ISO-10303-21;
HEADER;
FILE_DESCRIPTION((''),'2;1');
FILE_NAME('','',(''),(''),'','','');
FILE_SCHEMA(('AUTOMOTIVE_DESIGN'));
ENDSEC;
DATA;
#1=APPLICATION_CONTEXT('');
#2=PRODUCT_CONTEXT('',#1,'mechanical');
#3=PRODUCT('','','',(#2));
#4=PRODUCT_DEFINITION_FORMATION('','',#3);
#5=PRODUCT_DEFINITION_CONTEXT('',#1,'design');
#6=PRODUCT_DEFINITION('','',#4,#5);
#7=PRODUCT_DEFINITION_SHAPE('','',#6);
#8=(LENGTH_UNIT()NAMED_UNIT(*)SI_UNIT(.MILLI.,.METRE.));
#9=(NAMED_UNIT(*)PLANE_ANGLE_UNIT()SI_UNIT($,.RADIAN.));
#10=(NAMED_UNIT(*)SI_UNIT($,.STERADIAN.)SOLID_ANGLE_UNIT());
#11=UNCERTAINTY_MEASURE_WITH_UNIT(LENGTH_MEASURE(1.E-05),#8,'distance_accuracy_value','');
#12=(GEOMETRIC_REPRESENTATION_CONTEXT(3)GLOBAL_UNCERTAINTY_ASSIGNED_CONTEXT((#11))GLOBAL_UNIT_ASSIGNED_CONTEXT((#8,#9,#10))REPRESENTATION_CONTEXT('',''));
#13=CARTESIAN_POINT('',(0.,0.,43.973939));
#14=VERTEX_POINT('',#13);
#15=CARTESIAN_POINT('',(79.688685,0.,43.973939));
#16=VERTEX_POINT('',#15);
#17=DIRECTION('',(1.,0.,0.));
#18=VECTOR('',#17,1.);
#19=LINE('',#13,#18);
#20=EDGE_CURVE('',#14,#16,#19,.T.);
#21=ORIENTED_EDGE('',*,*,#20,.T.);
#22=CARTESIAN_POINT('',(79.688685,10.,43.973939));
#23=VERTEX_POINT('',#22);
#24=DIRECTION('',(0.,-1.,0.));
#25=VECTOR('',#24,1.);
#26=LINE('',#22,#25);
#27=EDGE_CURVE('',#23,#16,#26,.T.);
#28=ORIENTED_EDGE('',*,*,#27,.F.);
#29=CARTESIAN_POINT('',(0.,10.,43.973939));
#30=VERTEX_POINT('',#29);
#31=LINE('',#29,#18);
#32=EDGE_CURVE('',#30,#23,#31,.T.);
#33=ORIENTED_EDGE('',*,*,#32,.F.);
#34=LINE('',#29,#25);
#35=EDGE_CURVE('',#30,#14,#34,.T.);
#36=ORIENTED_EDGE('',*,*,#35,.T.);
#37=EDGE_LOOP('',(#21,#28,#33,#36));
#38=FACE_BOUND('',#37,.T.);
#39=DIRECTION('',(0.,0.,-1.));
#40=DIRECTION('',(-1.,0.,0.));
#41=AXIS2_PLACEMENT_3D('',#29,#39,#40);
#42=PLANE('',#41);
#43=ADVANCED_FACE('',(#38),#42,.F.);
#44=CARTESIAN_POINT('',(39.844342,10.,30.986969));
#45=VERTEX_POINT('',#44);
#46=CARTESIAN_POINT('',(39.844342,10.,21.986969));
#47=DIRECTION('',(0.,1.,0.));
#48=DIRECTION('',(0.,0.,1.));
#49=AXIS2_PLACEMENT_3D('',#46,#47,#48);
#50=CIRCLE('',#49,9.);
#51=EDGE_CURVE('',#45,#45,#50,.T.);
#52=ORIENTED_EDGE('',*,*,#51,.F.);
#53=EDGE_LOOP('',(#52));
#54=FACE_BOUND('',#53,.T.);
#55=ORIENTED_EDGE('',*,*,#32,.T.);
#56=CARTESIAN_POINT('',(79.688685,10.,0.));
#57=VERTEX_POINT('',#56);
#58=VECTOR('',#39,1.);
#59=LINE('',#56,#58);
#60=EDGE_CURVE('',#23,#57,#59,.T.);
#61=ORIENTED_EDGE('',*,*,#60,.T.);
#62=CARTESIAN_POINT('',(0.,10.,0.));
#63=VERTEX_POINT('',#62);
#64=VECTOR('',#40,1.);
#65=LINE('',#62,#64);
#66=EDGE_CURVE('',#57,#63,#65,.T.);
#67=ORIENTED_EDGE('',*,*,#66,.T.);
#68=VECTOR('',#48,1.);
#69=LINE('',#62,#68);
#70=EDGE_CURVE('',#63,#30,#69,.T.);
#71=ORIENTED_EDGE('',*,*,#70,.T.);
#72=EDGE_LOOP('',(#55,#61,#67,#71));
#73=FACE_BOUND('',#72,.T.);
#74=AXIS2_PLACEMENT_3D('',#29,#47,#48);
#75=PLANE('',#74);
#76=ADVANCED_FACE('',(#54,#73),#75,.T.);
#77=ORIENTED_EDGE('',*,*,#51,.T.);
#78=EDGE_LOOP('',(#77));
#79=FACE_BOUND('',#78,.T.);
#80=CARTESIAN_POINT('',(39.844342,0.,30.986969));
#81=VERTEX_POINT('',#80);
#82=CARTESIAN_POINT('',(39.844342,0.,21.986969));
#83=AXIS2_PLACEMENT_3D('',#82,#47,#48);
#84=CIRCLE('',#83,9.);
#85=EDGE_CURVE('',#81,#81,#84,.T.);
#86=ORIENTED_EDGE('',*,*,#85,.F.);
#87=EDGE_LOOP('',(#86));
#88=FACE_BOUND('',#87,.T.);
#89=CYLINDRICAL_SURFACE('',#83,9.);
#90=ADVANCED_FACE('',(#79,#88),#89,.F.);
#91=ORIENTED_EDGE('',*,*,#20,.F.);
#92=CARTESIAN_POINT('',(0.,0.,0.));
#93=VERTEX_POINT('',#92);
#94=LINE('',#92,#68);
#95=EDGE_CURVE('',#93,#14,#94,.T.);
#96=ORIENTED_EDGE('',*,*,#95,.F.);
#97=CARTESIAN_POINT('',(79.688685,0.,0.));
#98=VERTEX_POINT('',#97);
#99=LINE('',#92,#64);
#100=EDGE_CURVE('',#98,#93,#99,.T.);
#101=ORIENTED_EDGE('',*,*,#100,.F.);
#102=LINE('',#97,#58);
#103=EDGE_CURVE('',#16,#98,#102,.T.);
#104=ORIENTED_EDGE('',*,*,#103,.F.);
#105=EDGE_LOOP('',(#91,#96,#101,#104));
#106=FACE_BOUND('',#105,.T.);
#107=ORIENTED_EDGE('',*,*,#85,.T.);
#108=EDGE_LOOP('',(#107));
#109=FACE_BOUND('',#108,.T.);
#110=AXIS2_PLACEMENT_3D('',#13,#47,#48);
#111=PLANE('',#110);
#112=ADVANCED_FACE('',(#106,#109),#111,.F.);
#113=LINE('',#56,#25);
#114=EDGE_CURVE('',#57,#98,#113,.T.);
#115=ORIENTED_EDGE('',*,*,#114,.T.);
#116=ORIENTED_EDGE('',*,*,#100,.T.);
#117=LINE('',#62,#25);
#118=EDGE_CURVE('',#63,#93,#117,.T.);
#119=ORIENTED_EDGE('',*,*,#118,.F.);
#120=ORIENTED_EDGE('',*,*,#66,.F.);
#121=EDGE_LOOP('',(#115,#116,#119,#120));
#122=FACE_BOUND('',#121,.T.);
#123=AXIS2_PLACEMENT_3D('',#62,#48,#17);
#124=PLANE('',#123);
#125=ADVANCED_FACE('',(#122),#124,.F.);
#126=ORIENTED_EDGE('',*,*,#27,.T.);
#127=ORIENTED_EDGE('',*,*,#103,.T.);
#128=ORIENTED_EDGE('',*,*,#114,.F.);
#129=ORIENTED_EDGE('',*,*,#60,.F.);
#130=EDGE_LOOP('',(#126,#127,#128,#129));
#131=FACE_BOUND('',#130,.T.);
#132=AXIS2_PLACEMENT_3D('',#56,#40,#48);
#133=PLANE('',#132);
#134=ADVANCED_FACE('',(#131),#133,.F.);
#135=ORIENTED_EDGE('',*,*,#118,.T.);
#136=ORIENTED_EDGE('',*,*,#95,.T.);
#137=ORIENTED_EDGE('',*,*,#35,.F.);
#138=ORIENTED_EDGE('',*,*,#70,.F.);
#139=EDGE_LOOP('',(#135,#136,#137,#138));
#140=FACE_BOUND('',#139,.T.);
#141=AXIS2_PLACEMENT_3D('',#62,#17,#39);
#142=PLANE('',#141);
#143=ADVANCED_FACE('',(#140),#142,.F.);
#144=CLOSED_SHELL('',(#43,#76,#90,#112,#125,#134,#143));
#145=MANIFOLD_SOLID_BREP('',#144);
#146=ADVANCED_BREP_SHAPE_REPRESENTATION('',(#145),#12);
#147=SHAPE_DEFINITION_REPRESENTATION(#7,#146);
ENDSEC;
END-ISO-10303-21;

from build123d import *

# Parameters (mm, degrees)
SKETCH_1_W          = 79.688684703
SKETCH_1_H          = 43.973938877
EXTRUDE_1_DEPTH     = 10
SKETCH_2_R          = 9
CUT_EXTRUDE_1_DEPTH = 92.564151118


with BuildPart() as part:
    # Эскиз1 → Вытянуть1 (new body)
    with BuildSketch(Plane(origin=(0, 0, 0), x_dir=(1, 0, 0), z_dir=(0, 1, 0))):
        with Locations((39.844342352, -21.986969439)):
            Rectangle(SKETCH_1_W, SKETCH_1_H)
    extrude(amount=EXTRUDE_1_DEPTH)

    # Эскиз2 → Вырез-Вытянуть1 (cut, through all)
    with BuildSketch(Plane(origin=(0, 10, 0), x_dir=(1, 0, 0), z_dir=(0, 1, 0))):
        with Locations(Location((39.844342351, -21.986969438, 0), (0, 0, 270))):
            Circle(SKETCH_2_R)
    extrude(amount=-CUT_EXTRUDE_1_DEPTH, mode=Mode.SUBTRACT)


solid = part.part
